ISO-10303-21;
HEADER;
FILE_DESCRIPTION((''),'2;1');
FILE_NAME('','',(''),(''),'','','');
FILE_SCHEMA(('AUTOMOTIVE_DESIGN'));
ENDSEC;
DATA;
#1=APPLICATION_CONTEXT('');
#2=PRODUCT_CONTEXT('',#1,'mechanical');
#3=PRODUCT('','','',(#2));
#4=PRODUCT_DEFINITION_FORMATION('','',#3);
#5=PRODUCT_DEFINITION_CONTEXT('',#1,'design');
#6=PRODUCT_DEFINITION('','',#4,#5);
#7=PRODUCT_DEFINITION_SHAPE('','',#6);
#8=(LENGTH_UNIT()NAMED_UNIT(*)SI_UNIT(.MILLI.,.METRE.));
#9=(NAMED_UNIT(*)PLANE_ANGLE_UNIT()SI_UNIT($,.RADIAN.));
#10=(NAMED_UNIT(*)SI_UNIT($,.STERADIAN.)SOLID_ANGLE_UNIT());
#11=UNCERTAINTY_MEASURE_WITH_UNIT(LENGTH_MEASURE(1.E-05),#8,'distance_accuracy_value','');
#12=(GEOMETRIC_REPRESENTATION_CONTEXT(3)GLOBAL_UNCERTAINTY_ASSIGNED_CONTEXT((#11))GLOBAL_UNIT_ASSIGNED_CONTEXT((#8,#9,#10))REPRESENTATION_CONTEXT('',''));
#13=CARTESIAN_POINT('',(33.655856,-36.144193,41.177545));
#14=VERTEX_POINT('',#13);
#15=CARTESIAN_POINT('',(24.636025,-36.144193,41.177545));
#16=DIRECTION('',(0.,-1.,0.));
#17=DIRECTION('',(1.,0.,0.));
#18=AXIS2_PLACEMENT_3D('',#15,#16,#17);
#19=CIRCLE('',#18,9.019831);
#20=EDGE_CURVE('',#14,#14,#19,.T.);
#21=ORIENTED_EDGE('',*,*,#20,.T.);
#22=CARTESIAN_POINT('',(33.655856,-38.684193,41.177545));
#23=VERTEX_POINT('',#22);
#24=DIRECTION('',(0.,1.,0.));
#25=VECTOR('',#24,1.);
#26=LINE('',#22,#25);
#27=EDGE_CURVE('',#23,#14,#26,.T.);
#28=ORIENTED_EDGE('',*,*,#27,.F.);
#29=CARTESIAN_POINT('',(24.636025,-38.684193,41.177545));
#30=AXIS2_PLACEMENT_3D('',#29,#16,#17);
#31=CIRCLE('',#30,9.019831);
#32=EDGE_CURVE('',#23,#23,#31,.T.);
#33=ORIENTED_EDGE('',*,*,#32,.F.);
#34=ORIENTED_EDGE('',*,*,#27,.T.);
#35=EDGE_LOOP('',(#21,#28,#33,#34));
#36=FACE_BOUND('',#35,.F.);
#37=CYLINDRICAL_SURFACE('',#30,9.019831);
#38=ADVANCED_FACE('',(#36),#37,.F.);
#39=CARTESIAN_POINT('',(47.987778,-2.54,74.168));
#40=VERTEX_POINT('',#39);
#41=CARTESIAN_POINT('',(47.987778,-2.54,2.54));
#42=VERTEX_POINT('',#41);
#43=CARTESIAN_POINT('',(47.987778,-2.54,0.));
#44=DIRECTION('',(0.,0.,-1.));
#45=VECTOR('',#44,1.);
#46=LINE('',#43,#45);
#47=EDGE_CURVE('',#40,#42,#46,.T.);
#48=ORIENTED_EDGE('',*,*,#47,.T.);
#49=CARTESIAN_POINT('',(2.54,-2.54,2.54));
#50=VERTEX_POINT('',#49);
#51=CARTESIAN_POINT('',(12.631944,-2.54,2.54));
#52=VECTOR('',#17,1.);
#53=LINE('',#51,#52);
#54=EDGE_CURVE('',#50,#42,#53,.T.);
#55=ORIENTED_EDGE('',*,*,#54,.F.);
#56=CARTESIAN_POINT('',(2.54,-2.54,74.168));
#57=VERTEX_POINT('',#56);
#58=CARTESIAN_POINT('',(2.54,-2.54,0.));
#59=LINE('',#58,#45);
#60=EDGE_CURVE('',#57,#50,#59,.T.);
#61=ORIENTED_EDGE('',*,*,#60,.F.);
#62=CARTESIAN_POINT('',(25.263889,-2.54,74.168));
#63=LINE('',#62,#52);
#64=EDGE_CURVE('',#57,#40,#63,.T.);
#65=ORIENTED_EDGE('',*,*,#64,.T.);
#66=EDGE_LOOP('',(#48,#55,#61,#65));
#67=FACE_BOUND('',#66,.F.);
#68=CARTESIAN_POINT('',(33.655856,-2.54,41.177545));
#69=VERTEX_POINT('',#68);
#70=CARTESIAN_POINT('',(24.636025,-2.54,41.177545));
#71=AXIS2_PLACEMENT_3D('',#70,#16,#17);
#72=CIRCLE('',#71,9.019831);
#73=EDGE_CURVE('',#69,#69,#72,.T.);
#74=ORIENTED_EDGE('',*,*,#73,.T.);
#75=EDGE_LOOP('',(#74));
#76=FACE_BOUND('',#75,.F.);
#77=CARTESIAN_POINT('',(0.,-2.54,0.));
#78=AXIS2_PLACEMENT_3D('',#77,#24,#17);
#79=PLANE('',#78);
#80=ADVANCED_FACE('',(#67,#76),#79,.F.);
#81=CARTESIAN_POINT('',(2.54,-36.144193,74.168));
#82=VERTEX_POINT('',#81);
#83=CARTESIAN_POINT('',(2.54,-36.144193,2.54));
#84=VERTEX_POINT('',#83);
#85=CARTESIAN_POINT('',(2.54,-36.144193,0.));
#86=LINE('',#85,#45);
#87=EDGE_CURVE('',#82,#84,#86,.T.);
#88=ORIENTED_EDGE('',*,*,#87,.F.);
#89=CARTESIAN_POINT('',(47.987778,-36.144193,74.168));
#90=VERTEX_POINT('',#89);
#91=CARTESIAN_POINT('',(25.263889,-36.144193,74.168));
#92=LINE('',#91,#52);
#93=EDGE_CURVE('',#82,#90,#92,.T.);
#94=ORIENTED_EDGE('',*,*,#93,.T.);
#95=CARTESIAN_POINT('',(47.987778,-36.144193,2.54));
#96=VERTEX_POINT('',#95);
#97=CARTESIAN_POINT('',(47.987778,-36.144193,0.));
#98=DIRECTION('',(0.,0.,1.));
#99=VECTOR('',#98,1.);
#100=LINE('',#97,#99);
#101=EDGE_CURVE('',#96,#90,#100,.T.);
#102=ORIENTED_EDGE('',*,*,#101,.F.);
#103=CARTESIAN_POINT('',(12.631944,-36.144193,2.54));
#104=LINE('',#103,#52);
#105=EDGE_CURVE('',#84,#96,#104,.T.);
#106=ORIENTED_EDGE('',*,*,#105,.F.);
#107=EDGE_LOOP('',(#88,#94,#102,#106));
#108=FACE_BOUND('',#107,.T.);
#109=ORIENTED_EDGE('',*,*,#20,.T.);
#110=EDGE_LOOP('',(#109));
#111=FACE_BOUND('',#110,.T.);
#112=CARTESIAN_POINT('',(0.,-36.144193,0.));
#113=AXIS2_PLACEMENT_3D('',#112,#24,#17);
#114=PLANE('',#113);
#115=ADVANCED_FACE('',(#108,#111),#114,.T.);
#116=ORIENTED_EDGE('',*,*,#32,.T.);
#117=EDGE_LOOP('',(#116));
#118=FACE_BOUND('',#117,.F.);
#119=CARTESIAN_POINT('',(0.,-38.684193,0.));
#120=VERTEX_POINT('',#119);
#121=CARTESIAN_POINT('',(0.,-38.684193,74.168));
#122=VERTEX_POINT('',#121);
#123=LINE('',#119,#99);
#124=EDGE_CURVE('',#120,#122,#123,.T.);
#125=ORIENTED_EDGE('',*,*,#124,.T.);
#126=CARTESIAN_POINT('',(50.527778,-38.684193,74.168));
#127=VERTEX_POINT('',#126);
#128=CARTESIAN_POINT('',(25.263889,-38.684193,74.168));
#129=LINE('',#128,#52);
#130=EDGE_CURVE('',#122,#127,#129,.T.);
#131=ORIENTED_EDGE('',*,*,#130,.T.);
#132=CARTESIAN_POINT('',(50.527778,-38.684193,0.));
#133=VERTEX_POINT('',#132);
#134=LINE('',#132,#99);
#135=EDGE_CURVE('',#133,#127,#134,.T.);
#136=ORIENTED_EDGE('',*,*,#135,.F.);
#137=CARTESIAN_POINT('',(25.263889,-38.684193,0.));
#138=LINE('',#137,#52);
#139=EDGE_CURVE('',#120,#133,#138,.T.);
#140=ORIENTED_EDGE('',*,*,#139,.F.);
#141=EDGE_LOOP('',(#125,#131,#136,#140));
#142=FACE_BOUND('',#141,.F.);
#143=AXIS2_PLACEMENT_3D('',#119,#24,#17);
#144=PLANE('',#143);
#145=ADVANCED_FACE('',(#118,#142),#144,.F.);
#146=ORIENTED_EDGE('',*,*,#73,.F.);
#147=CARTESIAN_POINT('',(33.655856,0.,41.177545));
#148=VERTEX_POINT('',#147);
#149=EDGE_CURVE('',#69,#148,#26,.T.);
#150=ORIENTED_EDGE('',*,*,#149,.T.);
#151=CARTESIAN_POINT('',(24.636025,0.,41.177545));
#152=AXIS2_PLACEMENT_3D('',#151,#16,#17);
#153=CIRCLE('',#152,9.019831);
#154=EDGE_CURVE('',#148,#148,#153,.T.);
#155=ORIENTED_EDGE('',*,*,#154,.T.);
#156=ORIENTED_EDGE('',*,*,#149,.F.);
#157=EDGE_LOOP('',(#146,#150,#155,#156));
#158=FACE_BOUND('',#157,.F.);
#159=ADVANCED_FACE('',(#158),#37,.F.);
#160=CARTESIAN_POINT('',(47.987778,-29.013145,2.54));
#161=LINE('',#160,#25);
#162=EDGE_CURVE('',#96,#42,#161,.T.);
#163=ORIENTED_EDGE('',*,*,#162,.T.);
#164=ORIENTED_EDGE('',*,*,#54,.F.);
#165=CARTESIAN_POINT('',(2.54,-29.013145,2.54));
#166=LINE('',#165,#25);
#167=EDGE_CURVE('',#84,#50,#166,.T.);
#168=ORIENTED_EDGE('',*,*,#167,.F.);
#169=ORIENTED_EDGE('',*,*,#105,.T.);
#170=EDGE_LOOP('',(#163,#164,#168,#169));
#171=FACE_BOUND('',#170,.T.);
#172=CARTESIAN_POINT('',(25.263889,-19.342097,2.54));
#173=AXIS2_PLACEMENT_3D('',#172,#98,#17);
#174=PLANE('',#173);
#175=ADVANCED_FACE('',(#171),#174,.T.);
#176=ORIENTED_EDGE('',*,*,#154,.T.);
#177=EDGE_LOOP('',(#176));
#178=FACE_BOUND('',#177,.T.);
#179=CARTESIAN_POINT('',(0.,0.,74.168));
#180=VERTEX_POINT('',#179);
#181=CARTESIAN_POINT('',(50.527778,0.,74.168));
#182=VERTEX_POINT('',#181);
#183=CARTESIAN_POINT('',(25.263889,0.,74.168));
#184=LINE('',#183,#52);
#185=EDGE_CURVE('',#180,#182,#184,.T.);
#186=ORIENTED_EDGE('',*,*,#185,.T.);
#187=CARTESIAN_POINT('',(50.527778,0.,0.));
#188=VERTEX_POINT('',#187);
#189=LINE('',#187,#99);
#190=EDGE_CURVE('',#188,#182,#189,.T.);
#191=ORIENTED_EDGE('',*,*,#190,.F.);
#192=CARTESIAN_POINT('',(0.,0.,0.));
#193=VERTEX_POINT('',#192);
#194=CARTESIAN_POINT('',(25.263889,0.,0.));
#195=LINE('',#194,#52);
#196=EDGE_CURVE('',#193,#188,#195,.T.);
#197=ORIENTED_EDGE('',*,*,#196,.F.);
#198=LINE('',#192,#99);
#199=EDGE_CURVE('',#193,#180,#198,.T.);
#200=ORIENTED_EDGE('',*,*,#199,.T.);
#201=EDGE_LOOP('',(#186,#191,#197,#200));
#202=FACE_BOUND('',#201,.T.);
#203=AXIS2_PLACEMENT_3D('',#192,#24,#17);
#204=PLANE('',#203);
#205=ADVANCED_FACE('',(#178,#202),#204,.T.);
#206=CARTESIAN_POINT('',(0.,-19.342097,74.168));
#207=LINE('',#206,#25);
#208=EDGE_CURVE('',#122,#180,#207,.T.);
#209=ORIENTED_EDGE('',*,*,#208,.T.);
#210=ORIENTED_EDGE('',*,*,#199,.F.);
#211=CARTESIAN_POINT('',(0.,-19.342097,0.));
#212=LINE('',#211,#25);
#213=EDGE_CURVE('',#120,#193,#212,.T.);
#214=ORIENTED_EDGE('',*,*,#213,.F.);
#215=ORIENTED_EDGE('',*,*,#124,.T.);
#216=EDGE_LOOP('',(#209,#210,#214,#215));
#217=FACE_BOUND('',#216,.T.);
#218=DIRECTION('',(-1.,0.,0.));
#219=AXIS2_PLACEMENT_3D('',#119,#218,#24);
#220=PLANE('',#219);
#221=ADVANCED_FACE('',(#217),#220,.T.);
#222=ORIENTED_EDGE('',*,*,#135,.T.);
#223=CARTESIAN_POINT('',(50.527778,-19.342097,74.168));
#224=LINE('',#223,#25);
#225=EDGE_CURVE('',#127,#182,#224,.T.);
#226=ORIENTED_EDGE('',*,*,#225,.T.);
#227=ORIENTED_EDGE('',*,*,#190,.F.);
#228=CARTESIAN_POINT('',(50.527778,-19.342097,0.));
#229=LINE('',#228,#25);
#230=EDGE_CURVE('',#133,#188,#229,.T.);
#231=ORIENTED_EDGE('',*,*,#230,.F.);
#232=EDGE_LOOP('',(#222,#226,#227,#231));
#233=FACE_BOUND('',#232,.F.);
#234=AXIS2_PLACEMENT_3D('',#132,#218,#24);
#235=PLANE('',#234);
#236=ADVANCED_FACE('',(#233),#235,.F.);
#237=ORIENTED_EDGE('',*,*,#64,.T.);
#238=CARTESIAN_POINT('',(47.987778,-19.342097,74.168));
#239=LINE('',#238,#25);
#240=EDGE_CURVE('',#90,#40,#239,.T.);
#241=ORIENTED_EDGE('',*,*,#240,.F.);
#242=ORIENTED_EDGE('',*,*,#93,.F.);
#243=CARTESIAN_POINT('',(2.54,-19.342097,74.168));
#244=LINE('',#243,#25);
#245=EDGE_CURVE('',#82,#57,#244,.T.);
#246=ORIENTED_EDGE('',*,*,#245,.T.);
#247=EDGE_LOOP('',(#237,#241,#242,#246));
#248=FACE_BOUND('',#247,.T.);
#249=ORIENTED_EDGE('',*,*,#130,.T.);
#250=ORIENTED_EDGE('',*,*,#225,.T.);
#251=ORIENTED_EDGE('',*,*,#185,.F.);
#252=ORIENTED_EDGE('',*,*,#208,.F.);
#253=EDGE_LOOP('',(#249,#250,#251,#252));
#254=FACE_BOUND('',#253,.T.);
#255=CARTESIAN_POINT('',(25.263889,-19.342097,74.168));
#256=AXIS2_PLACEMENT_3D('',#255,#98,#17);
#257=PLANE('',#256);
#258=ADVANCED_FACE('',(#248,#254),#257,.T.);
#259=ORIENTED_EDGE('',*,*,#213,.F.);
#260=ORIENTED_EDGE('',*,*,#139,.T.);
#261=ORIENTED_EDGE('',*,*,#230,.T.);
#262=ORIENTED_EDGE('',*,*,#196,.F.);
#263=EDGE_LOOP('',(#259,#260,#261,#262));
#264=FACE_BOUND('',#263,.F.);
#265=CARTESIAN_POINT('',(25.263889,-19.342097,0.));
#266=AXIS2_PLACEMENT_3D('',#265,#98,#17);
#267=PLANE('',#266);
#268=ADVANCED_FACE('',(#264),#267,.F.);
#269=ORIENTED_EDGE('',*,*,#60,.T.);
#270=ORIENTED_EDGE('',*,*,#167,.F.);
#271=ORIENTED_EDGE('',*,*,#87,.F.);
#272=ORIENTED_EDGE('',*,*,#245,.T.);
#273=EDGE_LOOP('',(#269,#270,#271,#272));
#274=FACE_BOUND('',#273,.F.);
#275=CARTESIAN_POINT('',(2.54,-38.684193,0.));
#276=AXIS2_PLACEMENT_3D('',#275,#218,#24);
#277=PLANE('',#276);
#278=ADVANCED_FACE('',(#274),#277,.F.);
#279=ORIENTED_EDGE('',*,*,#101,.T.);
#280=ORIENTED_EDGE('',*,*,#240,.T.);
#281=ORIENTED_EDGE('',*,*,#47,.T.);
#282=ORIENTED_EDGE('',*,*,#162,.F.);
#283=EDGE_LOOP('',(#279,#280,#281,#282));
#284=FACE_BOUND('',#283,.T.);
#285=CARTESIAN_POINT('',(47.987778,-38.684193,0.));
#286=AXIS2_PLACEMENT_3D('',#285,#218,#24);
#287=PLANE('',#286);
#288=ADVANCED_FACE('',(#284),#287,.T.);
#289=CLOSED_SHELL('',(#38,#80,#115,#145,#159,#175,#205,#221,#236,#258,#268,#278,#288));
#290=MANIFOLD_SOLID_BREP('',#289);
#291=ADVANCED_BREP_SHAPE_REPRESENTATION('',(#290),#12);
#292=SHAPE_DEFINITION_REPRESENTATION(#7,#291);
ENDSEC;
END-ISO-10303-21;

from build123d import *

# Parameters (mm, degrees)
F0_W     = 50.5277775228
F0_H     = 38.6841930449
F1_DEPTH = 74.168
F2_T     = -2.54
F3_R     = 9.0198311592
F4_DEPTH = 71.882


with BuildPart() as f1:
    # F0 (on Top) → F1 (new body)
    with BuildSketch(Plane.XY):
        with Locations((25.2638887614, -19.3420965225)):
            Rectangle(F0_W, F0_H)
    extrude(amount=F1_DEPTH)

    # F2
    f2_openings = [f1.faces().sort_by_distance(p)[0] for p in [
        (25.263889, -19.342097, 74.168),
    ]]
    offset(amount=F2_T, openings=f2_openings)

    # F3 (on face) → F4 (cut)
    with BuildSketch(Plane.XZ.offset(38.6841930449)):
        with Locations((24.6360246092, 41.1775447428)):
            Circle(F3_R)
    extrude(amount=-F4_DEPTH, mode=Mode.SUBTRACT)


solid = f1.part
